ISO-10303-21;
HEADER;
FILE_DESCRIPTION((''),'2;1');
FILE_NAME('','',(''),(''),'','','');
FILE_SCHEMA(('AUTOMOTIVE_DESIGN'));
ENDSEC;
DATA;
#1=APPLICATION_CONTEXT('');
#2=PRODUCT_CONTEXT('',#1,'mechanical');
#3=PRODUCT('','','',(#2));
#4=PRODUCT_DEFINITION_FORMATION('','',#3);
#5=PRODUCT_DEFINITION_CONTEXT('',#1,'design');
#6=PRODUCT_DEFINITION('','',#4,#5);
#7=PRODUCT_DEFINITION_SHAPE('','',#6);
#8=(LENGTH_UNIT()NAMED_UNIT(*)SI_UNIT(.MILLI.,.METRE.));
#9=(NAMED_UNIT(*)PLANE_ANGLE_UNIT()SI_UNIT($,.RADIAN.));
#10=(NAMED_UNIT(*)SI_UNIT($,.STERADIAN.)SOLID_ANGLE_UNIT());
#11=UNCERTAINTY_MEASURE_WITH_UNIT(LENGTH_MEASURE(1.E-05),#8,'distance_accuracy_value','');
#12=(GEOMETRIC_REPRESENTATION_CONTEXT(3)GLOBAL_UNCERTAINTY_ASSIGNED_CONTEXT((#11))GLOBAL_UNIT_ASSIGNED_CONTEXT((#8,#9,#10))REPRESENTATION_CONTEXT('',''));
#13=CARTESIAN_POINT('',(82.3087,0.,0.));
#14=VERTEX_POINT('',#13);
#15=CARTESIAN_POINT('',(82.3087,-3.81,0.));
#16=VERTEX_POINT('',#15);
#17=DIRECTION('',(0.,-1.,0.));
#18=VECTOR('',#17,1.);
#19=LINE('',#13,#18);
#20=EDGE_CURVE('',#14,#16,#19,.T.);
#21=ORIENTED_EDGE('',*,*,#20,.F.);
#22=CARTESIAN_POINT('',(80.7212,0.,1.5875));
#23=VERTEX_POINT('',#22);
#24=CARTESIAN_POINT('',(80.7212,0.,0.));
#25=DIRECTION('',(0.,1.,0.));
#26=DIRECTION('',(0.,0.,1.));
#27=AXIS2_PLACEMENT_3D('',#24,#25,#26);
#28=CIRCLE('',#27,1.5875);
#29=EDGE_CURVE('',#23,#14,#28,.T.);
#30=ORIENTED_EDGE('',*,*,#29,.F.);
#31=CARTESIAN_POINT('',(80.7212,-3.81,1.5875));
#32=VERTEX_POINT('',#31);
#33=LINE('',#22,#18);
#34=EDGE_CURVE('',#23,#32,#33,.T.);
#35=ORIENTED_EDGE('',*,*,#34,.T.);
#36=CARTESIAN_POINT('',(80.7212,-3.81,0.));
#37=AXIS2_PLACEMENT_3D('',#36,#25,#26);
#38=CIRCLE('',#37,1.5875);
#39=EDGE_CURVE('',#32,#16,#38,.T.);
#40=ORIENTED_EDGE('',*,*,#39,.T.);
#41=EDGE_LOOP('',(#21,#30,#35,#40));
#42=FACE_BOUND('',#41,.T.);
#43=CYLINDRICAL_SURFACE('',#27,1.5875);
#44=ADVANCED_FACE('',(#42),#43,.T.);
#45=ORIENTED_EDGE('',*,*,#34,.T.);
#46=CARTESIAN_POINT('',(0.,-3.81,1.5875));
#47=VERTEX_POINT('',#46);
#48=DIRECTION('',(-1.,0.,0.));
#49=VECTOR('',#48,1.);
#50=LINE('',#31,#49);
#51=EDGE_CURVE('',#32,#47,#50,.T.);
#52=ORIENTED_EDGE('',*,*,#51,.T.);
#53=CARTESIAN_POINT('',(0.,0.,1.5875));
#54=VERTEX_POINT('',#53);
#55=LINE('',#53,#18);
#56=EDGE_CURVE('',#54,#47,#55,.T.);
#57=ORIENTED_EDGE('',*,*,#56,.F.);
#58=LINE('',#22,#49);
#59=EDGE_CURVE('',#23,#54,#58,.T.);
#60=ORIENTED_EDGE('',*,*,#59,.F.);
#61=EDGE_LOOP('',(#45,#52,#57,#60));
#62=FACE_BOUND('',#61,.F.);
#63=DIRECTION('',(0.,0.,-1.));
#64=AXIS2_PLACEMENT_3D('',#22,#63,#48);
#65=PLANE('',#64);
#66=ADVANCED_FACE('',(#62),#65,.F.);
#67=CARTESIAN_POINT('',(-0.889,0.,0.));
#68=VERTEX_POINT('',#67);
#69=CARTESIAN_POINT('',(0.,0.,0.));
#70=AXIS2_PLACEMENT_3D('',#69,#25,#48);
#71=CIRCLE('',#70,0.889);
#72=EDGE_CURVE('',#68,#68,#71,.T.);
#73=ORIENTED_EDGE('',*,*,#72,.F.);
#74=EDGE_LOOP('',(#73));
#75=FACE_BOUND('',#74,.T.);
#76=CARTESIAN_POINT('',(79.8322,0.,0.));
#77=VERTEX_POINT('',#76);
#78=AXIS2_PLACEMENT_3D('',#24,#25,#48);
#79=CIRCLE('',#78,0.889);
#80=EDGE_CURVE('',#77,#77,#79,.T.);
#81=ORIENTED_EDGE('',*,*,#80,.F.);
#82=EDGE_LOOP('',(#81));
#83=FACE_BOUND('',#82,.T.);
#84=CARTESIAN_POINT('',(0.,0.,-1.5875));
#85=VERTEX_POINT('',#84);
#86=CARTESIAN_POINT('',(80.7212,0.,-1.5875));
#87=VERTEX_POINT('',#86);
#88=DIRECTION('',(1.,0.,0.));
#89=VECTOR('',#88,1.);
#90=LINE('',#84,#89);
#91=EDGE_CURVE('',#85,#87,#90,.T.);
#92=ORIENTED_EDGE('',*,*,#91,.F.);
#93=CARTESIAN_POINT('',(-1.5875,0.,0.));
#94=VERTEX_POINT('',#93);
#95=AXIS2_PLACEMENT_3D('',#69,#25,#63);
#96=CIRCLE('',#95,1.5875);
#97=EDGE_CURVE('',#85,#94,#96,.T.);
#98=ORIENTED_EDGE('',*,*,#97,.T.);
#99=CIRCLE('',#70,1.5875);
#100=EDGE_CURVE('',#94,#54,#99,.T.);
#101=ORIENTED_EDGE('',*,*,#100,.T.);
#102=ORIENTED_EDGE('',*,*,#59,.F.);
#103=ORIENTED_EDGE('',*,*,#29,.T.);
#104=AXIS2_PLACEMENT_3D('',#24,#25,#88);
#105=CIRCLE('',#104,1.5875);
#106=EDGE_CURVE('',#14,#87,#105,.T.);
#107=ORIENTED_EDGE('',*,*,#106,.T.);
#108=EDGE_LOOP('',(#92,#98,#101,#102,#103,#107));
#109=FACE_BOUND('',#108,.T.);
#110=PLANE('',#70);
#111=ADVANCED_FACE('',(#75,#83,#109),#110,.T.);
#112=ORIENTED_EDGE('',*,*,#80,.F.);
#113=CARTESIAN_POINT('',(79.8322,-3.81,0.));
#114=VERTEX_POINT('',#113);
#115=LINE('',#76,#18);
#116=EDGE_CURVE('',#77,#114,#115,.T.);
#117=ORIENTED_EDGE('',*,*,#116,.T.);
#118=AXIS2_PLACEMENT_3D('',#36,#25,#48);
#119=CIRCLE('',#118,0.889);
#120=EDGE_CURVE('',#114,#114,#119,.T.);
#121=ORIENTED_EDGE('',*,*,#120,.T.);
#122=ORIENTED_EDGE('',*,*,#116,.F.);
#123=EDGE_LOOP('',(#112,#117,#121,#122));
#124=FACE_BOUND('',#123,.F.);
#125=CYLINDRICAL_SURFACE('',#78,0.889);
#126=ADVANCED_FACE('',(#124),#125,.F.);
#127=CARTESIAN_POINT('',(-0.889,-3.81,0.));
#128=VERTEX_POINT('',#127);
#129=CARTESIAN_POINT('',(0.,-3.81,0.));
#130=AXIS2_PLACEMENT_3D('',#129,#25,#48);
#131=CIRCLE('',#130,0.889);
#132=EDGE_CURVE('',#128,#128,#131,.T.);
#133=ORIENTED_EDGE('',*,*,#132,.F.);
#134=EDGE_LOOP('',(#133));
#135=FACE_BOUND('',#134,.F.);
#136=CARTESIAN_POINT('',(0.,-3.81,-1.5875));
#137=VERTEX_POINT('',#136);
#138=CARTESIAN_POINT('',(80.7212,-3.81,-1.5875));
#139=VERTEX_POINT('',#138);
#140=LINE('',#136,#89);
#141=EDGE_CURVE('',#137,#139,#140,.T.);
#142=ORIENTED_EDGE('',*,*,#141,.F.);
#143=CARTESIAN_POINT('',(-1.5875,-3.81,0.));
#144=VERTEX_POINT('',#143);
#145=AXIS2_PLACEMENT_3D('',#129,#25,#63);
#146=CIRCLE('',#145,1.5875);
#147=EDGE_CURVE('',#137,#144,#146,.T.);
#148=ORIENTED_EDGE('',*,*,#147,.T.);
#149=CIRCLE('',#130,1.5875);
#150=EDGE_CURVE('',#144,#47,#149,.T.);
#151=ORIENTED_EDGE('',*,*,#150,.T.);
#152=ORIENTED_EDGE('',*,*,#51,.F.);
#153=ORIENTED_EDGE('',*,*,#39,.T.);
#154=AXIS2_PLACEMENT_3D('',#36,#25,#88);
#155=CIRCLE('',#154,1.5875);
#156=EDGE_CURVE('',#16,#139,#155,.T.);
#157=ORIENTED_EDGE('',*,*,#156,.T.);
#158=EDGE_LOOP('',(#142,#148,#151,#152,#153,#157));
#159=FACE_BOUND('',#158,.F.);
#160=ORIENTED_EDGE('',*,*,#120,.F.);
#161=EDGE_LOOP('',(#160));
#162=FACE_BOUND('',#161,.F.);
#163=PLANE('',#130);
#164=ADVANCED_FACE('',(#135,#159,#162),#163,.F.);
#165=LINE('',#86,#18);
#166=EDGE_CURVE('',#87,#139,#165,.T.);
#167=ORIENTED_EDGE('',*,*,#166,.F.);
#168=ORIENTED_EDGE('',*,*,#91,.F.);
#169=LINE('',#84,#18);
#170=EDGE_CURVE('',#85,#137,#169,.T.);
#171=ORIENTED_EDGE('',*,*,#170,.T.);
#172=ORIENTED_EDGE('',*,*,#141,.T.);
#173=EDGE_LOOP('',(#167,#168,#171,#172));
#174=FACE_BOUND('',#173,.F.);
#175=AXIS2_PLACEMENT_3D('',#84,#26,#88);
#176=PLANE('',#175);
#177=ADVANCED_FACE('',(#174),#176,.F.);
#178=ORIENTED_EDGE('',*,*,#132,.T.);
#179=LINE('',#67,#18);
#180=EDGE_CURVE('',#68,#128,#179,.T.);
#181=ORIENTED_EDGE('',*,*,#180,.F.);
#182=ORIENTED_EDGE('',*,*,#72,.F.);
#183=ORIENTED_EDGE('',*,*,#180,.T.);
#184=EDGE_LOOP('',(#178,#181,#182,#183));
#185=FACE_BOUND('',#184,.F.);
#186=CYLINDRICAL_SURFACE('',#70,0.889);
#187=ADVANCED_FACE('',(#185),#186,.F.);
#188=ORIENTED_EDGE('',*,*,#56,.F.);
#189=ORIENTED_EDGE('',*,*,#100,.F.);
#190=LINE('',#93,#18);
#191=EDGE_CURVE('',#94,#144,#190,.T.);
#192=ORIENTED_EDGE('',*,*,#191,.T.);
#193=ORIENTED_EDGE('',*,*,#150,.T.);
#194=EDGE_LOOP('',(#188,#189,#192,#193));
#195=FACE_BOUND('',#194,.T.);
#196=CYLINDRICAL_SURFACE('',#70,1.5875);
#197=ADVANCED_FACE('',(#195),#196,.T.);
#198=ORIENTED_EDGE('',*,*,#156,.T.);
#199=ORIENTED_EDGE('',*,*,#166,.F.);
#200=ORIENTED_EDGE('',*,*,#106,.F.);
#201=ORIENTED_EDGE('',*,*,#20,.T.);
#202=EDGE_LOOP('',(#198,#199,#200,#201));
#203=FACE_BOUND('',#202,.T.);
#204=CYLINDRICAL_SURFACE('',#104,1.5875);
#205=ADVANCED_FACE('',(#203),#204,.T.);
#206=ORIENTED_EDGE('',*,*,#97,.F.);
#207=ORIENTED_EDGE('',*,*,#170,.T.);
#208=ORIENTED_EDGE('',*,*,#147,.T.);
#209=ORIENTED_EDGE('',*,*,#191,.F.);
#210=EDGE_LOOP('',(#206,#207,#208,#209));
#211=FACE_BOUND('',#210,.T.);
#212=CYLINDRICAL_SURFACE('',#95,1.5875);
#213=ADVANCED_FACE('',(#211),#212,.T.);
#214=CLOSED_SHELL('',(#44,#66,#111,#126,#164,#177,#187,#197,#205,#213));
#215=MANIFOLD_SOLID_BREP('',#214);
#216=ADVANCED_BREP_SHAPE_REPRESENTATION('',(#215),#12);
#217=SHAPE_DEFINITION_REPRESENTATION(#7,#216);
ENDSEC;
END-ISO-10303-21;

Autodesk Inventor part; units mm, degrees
ref_plane "YZ Plane" through (0, 0, 0) normal (1, 0, 0) x (0, 1, 0)
ref_plane "XZ Plane" through (0, 0, 0) normal (0, 1, 0) x (-1, 0, 0)
ref_plane "XY Plane" through (0, 0, 0) normal (0, 0, 1) x (1, 0, 0)
sketch "Sketch3" plane through (0, 0, 0) normal (0, 1, 0) x (-1, 0, 0)
  circle A0 centre (0, 0) radius 0.889
  circle A1 centre (-80.7212, 0) radius 0.889
  circle A2 centre (0, 0) radius 1.5875 construction
  circle A3 centre (-80.7212, 0) radius 1.5875 construction
  line L0 (-80.7212, 1.5875) -> (0, 1.5875)
  line L1 (1.5875, 0) -> (1.5875, 0)
  line L2 (0, -1.5875) -> (-80.7212, -1.5875)
  line L3 (-82.3087, 0) -> (-82.3087, 0)
  arc A4 (0, -1.5875) -> (1.5875, 0) centre (0, 0) ccw
  arc A5 (1.5875, 0) -> (0, 1.5875) centre (0, 0) ccw
  arc A6 (-80.7212, 1.5875) -> (-82.3087, 0) centre (-80.7212, 0) ccw
  arc A7 (-82.3087, 0) -> (-80.7212, -1.5875) centre (-80.7212, 0) ccw
  dimension "d12" = 1.778
  dimension "d13" = 1.778
  dimension "d14" = 80.7212
  dimension "d15" = 3.175
  dimension "d16" = 3.175
  dimension "d17" = 1.5875
extrude "Extrusion3" add sketch "Sketch3" against normal blind 3.81
properties part number "scrambler_spider_support1"
